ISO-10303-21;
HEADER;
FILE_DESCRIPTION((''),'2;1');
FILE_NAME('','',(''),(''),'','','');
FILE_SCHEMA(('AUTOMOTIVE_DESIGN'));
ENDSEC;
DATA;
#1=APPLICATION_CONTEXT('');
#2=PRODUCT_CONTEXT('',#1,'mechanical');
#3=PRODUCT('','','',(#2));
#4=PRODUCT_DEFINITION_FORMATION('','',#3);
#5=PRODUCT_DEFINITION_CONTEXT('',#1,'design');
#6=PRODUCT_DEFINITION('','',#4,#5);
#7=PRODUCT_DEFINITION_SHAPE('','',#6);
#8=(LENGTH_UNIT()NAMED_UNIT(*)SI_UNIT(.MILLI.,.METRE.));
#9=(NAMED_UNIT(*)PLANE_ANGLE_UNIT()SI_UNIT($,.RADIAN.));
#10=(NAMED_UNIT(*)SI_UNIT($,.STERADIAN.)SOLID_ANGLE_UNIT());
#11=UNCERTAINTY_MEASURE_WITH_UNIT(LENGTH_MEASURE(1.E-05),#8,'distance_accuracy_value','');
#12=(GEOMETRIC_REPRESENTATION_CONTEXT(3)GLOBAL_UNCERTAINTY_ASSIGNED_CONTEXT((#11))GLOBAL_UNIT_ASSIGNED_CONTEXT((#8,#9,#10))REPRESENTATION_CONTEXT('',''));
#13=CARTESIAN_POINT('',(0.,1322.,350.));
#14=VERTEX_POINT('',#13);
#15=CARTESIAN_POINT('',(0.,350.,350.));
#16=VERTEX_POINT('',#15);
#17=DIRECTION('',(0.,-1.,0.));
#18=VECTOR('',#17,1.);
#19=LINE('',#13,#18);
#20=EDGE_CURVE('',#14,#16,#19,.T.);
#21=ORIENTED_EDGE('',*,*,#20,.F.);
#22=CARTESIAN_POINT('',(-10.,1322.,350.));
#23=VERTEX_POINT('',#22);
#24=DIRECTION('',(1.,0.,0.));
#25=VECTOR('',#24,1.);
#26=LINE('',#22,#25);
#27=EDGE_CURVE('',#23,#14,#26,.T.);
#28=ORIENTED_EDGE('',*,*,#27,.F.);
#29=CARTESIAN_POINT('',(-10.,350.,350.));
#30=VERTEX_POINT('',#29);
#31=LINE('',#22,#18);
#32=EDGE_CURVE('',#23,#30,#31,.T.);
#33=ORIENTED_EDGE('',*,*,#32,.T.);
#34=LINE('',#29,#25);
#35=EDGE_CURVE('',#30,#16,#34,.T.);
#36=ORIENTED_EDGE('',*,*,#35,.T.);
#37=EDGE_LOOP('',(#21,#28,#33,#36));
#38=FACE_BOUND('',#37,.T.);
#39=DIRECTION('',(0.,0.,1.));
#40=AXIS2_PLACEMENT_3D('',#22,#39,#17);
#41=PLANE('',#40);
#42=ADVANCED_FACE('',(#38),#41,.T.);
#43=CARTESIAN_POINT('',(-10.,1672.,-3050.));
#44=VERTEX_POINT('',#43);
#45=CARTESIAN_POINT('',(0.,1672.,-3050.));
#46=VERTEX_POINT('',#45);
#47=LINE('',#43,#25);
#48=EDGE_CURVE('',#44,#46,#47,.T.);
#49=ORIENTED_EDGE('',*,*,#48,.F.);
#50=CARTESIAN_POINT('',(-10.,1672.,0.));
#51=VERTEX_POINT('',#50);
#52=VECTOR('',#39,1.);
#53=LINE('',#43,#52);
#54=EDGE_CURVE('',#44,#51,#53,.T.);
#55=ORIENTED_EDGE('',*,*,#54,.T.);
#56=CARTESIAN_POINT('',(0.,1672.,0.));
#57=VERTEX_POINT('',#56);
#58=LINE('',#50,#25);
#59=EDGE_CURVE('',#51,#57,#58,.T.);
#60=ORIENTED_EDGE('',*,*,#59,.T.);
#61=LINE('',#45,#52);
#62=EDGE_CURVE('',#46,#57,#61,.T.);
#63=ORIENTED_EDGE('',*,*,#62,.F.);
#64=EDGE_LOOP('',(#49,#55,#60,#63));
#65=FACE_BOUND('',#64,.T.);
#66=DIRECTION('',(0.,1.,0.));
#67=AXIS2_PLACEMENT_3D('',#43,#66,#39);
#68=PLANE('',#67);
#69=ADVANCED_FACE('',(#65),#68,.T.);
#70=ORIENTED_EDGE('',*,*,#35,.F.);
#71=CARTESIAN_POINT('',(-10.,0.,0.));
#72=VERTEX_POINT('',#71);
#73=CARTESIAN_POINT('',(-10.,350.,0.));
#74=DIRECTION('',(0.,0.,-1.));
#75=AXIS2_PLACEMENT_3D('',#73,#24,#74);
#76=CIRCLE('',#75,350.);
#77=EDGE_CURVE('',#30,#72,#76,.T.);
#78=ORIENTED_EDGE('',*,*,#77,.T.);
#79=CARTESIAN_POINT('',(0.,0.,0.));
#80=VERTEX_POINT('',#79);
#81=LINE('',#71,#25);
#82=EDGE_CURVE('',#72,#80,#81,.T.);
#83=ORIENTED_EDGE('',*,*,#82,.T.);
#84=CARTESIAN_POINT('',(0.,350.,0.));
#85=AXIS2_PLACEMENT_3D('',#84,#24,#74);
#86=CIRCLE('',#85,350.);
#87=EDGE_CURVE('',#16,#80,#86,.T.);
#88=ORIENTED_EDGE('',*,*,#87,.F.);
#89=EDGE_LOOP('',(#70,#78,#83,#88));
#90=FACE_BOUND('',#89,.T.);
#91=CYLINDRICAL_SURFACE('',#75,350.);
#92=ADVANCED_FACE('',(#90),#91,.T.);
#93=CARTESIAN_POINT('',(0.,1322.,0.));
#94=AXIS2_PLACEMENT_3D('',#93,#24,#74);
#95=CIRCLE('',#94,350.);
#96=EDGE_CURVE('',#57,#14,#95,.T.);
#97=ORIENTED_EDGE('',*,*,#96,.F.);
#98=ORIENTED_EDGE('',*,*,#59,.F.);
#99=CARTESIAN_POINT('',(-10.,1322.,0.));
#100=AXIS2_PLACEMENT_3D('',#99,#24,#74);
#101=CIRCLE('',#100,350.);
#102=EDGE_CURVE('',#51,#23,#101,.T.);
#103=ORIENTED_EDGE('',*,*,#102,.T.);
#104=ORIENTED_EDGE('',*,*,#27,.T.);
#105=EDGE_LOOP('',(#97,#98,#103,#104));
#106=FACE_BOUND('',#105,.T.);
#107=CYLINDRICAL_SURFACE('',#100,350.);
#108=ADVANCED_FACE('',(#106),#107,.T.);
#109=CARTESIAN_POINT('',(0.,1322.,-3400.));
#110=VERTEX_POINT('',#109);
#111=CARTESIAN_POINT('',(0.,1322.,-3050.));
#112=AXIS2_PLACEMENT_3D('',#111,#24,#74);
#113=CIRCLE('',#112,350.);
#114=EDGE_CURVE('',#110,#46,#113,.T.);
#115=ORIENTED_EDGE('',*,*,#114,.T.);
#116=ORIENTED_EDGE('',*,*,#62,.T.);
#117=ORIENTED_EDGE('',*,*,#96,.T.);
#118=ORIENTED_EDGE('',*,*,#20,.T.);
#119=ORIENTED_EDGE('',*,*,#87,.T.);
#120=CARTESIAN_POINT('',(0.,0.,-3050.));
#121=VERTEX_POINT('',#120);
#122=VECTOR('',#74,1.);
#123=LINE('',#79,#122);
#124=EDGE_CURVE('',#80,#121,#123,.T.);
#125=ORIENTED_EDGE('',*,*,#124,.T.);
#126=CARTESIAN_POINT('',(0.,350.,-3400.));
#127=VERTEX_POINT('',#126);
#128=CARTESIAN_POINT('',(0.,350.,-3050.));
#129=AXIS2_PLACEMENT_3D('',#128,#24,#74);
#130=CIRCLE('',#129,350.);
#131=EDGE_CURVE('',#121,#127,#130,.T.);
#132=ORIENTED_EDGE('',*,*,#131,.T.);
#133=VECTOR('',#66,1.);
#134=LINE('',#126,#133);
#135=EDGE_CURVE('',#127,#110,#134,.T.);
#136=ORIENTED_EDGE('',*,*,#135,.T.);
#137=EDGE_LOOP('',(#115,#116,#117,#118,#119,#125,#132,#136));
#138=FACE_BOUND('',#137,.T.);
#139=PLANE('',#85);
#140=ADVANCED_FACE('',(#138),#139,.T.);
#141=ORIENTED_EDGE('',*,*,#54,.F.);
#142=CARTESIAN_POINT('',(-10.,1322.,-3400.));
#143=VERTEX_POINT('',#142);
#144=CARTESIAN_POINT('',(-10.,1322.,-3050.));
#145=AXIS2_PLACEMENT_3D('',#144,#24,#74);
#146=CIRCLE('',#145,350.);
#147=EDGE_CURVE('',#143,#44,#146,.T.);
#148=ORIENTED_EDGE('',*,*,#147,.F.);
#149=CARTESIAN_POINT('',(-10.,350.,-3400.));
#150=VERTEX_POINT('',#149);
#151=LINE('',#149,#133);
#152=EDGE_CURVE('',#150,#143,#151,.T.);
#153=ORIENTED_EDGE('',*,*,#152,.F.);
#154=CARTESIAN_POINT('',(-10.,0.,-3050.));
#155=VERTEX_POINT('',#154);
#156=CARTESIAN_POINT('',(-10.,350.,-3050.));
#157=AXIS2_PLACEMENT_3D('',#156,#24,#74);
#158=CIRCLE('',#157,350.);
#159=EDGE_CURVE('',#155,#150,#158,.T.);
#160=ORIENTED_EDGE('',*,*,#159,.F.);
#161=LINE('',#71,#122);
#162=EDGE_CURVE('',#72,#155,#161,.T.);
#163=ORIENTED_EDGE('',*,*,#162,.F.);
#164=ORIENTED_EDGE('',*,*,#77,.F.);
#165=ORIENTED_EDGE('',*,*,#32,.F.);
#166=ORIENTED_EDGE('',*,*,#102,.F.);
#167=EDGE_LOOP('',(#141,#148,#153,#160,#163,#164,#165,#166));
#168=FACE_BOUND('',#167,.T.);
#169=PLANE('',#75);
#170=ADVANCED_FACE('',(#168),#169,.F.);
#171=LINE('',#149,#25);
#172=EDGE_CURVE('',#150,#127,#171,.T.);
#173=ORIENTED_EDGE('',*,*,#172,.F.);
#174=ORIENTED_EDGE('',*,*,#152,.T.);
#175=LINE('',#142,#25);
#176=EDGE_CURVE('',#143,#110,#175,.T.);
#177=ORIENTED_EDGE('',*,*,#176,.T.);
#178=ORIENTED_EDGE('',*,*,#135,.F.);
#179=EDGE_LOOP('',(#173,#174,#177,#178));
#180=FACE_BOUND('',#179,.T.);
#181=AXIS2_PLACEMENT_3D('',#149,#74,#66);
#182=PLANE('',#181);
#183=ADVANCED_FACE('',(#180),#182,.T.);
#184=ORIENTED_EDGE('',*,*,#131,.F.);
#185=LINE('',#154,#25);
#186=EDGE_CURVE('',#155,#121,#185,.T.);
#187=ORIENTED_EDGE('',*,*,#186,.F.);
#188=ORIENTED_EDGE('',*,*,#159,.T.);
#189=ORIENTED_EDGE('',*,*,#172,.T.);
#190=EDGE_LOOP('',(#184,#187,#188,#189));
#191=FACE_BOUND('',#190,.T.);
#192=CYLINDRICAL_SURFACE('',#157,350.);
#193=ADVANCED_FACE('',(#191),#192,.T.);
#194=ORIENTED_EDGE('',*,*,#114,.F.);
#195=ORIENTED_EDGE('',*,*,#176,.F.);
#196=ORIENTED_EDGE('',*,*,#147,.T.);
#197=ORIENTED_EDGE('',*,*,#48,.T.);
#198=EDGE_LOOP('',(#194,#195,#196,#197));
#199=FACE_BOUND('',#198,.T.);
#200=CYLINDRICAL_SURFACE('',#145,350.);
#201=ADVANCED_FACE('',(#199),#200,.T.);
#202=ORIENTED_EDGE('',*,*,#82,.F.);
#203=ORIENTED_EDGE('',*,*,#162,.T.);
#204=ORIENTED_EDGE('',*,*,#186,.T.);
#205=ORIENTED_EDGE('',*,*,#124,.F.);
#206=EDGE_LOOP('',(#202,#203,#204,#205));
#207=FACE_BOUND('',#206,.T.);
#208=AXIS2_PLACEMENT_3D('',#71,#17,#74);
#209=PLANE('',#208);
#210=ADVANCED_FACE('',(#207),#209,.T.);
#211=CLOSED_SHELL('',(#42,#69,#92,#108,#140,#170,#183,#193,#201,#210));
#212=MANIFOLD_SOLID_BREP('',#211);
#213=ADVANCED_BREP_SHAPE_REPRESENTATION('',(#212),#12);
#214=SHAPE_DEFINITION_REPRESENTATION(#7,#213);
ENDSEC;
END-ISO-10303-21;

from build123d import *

# Parameters (mm, degrees)
BOSS_EXTRUDE1_DEPTH = 10


with BuildPart() as part:
    # Sketch2 → Boss-Extrude1 (new body)
    with BuildSketch(Plane(origin=(0, 0, 0), x_dir=(0, 0, -1), z_dir=(1, 0, 0))):
        with BuildLine():
            Line((0, 0), (3050, 0))
            ThreePointArc((3050, 0), (3297.487373415, 102.512626585), (3400, 350))
            Line((3400, 350), (3400, 1322))
            ThreePointArc((3400, 1322), (3297.487373415, 1569.487373415), (3050, 1672))
            Line((3050, 1672), (0, 1672))
            ThreePointArc((0, 1672), (-247.487373415, 1569.487373415), (-350, 1322))
            Line((-350, 1322), (-350, 350))
            ThreePointArc((-350, 350), (-247.487373415, 102.512626585), (0, 0))
        make_face()
    extrude(amount=-BOSS_EXTRUDE1_DEPTH)


solid = part.part
